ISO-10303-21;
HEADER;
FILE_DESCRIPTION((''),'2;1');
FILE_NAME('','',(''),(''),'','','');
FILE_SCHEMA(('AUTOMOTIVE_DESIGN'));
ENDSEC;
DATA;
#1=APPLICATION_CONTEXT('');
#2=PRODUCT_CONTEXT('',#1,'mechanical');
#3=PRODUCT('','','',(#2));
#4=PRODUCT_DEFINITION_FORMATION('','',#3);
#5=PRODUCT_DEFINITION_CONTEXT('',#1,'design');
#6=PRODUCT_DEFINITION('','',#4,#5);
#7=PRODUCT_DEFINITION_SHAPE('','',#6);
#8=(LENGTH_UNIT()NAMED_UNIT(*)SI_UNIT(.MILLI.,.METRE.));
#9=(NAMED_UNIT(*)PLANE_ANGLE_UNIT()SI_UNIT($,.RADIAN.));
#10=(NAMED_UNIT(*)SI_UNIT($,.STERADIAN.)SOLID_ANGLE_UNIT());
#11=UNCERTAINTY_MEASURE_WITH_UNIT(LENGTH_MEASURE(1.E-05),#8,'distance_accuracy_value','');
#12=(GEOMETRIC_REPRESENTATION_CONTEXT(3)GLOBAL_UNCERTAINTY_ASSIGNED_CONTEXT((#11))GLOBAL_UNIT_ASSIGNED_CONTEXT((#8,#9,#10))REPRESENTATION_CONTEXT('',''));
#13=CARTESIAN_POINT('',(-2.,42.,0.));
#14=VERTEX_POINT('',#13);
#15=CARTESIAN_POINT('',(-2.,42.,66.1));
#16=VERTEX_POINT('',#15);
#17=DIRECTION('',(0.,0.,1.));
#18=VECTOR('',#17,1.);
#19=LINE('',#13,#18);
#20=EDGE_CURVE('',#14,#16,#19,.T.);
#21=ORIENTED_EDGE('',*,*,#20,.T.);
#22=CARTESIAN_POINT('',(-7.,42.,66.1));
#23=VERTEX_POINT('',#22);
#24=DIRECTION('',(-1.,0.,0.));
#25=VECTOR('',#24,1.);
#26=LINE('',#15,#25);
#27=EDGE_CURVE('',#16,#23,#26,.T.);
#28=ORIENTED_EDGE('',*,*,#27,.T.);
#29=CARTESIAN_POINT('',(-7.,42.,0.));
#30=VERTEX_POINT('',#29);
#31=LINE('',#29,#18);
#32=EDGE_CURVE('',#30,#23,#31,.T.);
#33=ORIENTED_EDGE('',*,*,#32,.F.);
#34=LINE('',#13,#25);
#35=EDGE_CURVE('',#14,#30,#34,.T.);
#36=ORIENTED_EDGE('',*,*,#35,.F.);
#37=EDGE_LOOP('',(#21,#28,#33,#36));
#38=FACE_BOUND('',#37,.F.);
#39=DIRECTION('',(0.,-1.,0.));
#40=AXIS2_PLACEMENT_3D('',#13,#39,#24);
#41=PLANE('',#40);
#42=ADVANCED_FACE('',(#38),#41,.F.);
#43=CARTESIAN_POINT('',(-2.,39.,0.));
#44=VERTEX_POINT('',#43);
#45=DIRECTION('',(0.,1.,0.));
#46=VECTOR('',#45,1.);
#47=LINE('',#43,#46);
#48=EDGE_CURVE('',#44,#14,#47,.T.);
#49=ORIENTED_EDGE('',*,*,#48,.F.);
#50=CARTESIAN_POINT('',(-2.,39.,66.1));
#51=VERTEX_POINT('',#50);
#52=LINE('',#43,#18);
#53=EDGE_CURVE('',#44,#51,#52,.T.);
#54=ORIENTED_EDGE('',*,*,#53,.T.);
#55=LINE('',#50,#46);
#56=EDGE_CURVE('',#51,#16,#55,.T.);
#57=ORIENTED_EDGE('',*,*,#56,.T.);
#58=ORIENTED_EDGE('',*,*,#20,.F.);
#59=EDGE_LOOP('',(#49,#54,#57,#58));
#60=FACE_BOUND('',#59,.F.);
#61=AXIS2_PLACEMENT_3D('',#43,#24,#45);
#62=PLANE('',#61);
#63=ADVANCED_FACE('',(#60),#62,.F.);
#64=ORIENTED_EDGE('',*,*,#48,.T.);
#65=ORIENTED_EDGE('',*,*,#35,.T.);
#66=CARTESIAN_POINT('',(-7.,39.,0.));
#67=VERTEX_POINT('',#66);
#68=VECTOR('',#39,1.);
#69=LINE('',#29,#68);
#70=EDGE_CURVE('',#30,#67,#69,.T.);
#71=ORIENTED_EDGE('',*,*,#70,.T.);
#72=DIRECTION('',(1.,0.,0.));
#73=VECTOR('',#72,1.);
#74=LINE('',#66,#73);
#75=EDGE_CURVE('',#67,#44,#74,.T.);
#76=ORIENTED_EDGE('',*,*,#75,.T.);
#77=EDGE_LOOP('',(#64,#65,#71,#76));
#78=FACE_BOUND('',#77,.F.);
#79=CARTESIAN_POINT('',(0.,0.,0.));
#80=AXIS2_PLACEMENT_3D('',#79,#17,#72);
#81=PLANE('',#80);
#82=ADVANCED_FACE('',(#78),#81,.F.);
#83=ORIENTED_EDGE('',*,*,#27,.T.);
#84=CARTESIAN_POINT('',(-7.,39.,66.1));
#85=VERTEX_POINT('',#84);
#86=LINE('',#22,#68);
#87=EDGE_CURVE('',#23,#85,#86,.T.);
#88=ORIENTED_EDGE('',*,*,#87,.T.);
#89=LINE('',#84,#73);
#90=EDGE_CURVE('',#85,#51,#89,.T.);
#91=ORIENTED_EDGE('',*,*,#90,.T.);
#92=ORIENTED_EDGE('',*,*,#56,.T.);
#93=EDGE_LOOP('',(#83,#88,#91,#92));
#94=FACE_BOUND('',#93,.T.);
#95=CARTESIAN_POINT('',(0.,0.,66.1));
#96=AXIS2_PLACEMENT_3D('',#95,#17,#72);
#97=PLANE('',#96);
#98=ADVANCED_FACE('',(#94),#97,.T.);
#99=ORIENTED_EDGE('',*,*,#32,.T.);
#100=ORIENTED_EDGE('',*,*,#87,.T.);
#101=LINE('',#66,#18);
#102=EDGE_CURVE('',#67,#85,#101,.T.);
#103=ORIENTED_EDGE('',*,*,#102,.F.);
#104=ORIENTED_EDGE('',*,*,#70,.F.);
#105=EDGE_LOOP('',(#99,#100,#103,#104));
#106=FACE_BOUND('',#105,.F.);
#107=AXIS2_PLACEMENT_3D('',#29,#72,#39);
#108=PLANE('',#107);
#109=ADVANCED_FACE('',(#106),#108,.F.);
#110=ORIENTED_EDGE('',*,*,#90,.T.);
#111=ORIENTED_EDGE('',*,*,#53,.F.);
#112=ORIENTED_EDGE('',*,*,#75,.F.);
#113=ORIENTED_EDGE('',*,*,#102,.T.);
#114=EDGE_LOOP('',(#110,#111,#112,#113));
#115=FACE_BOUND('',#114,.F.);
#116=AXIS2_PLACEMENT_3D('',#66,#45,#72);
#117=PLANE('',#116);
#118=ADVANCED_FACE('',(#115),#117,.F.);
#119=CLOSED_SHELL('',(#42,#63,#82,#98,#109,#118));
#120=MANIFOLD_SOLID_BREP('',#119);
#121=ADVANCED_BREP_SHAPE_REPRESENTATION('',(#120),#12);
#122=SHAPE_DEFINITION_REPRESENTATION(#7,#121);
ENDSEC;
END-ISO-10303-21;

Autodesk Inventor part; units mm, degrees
ref_plane "YZ Plane" through (0, 0, 0) normal (1, 0, 0) x (0, 1, 0)
ref_plane "XZ Plane" through (0, 0, 0) normal (0, 1, 0) x (-1, 0, 0)
ref_plane "XY Plane" through (0, 0, 0) normal (0, 0, 1) x (1, 0, 0)
sketch "Esboço1" plane through (0, 0, 0) normal (0, 0, 1) x (1, 0, 0)
  line L0 (-7, 39) -> (-2, 39)
  line L1 (-2, 39) -> (-2, 42)
  line L2 (-2, 42) -> (-7, 42)
  line L3 (-7, 42) -> (-7, 39)
  point P0 (0, 0)
extrude "Extrusão1" add sketch "Esboço1" along normal blind 66.1
properties part number "meios"
